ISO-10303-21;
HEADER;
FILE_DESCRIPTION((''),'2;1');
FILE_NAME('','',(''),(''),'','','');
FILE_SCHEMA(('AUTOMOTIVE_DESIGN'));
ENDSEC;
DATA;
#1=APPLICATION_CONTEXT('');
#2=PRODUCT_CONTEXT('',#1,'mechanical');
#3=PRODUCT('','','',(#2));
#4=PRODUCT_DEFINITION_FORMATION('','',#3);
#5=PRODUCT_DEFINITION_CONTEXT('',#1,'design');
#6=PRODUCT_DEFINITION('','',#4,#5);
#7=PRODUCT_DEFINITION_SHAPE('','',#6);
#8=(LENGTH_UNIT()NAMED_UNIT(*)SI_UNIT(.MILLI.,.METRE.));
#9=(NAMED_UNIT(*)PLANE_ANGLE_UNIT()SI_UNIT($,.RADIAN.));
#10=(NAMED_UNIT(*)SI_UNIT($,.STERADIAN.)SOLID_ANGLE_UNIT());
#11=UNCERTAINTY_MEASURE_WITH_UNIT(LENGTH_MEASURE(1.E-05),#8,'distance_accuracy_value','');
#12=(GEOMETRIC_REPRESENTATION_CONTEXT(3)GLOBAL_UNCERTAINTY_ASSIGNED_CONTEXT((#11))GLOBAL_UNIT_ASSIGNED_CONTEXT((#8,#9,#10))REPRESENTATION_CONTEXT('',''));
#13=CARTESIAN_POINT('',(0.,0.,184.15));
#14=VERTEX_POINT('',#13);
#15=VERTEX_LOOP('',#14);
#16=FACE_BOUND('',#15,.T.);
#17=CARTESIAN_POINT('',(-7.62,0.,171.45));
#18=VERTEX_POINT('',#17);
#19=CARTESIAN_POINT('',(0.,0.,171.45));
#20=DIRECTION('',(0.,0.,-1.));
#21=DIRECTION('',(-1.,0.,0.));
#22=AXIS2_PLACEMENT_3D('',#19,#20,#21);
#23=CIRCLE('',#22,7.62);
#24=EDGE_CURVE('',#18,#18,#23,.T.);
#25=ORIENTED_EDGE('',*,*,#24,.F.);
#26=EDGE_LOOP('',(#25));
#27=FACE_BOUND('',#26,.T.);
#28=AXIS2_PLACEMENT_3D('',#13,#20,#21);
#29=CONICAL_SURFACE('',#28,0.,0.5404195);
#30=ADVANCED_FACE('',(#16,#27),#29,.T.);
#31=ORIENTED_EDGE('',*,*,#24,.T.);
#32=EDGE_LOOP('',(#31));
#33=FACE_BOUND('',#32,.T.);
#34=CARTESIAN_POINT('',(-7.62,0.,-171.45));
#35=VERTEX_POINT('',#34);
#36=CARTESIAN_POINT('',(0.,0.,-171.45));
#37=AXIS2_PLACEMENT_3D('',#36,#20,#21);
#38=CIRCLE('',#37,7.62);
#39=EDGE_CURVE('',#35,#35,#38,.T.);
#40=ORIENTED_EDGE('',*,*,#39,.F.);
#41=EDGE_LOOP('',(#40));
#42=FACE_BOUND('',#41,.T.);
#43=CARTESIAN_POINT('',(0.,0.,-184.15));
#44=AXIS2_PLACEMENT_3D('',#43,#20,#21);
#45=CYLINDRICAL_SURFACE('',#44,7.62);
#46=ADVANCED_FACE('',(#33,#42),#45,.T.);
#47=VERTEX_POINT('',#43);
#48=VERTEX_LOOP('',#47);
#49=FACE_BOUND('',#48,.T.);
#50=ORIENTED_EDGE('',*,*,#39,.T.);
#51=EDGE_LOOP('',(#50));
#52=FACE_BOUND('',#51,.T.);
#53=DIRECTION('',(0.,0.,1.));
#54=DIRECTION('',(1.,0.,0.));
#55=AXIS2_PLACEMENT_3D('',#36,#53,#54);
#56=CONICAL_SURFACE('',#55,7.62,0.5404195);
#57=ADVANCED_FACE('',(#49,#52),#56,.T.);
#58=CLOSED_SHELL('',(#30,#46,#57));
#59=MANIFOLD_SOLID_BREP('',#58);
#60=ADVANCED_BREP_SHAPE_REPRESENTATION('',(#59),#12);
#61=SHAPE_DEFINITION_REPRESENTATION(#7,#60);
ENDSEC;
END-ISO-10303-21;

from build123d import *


with BuildPart() as part:
    # Sketch1 → Revolve1 (revolve)
    with BuildSketch(Plane(origin=(0, 0, 0), x_dir=(1, 0, 0), z_dir=(0, 1, 0)), mode=Mode.PRIVATE) as revolve1_sk:
        Polygon((0, 184.15), (0, -184.15), (7.62, -171.45), (7.62, 171.45), align=None)
    revolve(revolve1_sk.sketch.rotate(Axis((0, 0, -184.15), (0, 0, 1)), 180), axis=Axis((0, 0, -184.15), (0, 0, 1)))


solid = part.part
